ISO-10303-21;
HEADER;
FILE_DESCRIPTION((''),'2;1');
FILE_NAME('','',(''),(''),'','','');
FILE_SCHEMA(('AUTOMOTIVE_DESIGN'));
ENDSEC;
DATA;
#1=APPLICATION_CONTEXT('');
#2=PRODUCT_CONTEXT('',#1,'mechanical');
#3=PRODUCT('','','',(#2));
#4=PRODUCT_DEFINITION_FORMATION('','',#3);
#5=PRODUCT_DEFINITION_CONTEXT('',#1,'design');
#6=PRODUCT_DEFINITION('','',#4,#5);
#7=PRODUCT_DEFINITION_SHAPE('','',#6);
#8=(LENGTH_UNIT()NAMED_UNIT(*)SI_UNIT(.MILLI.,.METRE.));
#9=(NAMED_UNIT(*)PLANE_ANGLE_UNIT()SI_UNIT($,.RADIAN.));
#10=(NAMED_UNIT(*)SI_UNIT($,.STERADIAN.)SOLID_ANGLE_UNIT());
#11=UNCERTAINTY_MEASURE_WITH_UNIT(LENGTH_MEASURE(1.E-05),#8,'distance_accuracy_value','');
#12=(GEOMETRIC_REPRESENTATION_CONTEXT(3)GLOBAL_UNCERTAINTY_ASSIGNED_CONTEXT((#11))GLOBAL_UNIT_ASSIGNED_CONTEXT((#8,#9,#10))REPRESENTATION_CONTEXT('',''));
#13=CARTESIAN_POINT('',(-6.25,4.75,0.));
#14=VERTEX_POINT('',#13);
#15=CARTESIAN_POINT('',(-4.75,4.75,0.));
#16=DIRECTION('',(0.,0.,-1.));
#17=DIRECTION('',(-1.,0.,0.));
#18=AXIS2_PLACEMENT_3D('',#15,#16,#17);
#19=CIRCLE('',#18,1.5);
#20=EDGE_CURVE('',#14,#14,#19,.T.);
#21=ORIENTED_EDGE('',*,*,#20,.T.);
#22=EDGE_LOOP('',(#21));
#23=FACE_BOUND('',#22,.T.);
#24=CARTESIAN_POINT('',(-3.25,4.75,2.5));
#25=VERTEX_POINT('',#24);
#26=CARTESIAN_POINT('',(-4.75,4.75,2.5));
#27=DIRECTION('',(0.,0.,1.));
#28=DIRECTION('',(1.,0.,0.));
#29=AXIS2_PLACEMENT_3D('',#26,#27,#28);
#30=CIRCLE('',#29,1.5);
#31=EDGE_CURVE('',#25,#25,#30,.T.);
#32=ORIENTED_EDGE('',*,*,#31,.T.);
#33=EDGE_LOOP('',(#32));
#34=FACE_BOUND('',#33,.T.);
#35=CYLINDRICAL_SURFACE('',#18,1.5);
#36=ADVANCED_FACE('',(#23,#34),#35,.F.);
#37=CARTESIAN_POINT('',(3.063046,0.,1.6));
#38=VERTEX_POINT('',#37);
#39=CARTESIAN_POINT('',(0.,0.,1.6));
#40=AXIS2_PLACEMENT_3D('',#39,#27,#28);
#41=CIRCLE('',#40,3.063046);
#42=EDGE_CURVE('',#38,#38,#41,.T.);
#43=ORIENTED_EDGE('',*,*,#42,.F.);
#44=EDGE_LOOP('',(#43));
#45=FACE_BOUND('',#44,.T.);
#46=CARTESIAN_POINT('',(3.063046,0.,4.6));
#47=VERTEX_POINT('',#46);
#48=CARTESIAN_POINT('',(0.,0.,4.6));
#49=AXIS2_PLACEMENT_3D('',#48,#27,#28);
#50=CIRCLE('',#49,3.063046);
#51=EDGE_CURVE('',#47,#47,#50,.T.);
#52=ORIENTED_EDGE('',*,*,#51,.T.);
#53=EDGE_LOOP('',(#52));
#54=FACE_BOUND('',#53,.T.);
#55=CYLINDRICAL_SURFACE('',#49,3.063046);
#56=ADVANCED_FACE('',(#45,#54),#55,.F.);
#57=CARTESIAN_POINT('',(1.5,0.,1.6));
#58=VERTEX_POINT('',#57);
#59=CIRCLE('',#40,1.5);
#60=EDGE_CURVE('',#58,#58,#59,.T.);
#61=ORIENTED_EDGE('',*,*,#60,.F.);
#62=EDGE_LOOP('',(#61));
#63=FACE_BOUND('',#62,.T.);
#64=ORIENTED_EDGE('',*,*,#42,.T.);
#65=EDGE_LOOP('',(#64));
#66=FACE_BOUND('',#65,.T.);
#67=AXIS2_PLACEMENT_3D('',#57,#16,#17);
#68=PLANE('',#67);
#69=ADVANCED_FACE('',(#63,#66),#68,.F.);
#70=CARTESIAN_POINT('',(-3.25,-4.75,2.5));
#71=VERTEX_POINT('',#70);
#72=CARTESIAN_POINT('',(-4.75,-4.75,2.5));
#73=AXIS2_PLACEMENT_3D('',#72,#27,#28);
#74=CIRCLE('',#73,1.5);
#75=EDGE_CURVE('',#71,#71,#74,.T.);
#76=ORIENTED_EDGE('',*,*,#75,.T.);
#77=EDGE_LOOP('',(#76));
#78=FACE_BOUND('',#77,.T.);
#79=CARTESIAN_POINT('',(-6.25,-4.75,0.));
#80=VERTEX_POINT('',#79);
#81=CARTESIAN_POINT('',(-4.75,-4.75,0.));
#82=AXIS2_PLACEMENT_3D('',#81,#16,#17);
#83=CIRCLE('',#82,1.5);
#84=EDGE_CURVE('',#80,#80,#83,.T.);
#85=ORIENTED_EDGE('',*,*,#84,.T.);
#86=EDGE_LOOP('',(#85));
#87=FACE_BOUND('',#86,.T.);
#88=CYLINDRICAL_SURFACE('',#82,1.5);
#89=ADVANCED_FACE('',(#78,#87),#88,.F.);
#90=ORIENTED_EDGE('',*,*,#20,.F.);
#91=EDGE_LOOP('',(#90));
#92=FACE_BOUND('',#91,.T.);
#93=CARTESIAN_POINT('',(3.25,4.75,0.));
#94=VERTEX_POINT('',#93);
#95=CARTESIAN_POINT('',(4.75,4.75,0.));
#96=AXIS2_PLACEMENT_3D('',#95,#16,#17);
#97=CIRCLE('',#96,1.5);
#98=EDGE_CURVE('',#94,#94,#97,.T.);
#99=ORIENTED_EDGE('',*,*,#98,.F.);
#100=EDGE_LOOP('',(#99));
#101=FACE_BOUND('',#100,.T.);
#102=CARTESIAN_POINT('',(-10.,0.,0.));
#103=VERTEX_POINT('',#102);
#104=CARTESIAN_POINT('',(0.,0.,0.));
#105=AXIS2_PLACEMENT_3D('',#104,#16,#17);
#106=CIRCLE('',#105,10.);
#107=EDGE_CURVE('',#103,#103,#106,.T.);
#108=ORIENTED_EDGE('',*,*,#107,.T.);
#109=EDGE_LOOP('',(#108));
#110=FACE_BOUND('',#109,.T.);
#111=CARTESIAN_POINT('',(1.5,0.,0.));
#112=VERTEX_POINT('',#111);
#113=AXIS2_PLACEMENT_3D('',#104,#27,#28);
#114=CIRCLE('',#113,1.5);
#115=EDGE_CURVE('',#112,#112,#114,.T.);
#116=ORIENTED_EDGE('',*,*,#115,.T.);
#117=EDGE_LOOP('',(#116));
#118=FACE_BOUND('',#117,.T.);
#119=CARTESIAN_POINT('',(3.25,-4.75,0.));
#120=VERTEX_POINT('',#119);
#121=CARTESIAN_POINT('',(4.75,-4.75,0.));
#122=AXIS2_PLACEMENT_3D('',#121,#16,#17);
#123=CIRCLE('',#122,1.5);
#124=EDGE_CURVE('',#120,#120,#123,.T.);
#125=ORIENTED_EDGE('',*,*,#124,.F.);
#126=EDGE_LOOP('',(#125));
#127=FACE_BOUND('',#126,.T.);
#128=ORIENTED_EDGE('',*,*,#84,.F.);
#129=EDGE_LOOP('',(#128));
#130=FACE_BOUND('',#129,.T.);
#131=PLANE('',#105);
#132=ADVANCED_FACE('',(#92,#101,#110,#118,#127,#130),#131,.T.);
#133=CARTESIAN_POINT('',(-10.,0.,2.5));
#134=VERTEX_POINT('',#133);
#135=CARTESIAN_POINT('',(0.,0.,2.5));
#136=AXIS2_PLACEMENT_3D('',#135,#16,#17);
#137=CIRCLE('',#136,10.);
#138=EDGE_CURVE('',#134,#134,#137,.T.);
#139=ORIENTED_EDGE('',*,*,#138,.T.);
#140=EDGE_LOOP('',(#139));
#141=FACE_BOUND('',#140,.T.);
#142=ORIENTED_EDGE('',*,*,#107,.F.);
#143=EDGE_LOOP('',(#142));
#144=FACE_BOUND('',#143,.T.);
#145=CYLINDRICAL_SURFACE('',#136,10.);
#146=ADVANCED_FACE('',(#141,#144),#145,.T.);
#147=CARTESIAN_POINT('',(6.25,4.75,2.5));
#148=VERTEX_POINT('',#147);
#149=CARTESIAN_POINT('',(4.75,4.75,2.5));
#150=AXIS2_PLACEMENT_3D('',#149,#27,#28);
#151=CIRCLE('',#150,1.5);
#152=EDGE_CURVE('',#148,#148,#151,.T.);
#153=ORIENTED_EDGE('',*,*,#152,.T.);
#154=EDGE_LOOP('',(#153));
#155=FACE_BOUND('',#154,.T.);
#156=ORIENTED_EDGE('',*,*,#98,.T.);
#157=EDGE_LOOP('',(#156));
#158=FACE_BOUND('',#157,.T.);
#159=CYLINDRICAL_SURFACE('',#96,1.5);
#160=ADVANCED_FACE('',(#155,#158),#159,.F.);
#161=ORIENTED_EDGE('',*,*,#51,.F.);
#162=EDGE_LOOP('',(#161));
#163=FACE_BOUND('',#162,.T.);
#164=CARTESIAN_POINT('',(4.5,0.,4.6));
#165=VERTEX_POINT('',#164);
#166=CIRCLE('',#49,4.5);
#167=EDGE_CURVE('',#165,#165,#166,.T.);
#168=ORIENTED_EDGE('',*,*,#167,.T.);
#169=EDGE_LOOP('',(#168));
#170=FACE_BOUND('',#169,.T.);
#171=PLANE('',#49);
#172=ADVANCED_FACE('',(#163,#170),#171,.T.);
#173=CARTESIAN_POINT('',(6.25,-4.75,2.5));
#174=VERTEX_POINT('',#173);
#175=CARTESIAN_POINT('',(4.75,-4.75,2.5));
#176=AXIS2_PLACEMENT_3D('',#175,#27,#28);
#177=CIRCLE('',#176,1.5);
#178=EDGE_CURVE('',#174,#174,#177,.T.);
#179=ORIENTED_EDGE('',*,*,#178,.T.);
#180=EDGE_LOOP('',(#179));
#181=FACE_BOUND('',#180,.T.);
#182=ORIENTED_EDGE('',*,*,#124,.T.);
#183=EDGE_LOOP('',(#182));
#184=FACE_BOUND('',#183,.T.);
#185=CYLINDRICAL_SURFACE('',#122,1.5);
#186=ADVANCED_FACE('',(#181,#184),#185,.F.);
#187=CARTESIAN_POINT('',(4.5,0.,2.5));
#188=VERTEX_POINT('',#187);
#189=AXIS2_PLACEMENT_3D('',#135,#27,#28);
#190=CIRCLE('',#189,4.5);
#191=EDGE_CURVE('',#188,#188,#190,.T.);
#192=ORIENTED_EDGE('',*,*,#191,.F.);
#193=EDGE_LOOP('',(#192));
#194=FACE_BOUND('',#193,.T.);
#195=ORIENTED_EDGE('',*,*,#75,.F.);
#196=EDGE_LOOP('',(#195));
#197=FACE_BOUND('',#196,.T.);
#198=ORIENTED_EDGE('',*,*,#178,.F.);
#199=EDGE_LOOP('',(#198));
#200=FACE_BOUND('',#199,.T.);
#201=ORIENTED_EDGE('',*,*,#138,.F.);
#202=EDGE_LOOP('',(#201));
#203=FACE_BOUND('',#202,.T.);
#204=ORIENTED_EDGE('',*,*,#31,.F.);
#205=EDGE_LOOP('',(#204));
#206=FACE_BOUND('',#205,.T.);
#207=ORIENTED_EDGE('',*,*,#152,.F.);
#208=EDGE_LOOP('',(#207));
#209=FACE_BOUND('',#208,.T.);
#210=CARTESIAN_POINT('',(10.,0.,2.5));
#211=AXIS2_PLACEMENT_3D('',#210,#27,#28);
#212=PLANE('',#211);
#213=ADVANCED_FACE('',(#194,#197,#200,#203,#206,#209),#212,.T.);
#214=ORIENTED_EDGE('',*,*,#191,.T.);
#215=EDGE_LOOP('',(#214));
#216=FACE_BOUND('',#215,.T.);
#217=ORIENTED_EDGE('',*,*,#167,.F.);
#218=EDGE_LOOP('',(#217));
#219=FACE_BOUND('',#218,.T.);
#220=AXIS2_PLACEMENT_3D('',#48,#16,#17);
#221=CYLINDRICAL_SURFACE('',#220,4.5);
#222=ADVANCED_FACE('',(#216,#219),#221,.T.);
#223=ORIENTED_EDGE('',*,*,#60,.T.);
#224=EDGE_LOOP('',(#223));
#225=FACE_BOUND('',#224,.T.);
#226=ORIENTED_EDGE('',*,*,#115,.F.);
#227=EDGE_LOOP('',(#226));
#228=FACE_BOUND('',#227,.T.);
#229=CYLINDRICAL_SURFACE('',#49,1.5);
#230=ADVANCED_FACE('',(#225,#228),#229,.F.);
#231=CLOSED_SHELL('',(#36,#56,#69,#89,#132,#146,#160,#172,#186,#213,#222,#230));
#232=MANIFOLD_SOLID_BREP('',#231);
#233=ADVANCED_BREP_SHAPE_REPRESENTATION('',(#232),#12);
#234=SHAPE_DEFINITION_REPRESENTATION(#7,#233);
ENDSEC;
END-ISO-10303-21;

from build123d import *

# Parameters (mm, degrees)
SKETCH1_W                                          = 10
SKETCH1_H                                          = 2.5
SKETCH2_R                                          = 4.5
BOSS_EXTRUDE1_DEPTH                                = 2.1
F_3_0_3_DIAMETER_HOLE1_D                           = 3
F_3_0_3_DIAMETER_HOLE1_DEPTH                       = 4.6
CBORE_FOR_M2_5_HEX_HEAD_MACHINE_SCREW1_D           = 3
CBORE_FOR_M2_5_HEX_HEAD_MACHINE_SCREW1_CBORE_D     = 6.126092487
CBORE_FOR_M2_5_HEX_HEAD_MACHINE_SCREW1_CBORE_DEPTH = 3


with BuildPart() as part:
    # Sketch1 → Revolve1 (revolve)
    with BuildSketch(Plane.XZ, mode=Mode.PRIVATE) as revolve1_sk:
        with Locations((5, 1.25)):
            Rectangle(SKETCH1_W, SKETCH1_H)
    revolve(revolve1_sk.sketch.rotate(Axis((0, 0, 2.5), (0, 0, -1)), 180), axis=Axis((0, 0, 2.5), (0, 0, -1)))

    # Sketch2 → Boss-Extrude1 (add)
    with BuildSketch(Plane.XY.offset(2.5)):
        Circle(SKETCH2_R)
    extrude(amount=BOSS_EXTRUDE1_DEPTH)

    # Ø3.0 (3) Diameter Hole1
    with Locations(Plane(origin=(0, 0, 0), x_dir=(-1, 0, 0), z_dir=(0, 0, -1))):
        with Locations((-4.75, -4.75), (4.75, -4.75), (4.75, 4.75), (-4.75, 4.75)):
            Hole(F_3_0_3_DIAMETER_HOLE1_D / 2, depth=F_3_0_3_DIAMETER_HOLE1_DEPTH)

    # CBORE for M2.5 Hex Head Machine Screw1 (through all)
    with Locations(Plane.XY.offset(4.6)):
        with Locations((0, 0)):
            CounterBoreHole(CBORE_FOR_M2_5_HEX_HEAD_MACHINE_SCREW1_D / 2, CBORE_FOR_M2_5_HEX_HEAD_MACHINE_SCREW1_CBORE_D / 2, CBORE_FOR_M2_5_HEX_HEAD_MACHINE_SCREW1_CBORE_DEPTH)


solid = part.part
